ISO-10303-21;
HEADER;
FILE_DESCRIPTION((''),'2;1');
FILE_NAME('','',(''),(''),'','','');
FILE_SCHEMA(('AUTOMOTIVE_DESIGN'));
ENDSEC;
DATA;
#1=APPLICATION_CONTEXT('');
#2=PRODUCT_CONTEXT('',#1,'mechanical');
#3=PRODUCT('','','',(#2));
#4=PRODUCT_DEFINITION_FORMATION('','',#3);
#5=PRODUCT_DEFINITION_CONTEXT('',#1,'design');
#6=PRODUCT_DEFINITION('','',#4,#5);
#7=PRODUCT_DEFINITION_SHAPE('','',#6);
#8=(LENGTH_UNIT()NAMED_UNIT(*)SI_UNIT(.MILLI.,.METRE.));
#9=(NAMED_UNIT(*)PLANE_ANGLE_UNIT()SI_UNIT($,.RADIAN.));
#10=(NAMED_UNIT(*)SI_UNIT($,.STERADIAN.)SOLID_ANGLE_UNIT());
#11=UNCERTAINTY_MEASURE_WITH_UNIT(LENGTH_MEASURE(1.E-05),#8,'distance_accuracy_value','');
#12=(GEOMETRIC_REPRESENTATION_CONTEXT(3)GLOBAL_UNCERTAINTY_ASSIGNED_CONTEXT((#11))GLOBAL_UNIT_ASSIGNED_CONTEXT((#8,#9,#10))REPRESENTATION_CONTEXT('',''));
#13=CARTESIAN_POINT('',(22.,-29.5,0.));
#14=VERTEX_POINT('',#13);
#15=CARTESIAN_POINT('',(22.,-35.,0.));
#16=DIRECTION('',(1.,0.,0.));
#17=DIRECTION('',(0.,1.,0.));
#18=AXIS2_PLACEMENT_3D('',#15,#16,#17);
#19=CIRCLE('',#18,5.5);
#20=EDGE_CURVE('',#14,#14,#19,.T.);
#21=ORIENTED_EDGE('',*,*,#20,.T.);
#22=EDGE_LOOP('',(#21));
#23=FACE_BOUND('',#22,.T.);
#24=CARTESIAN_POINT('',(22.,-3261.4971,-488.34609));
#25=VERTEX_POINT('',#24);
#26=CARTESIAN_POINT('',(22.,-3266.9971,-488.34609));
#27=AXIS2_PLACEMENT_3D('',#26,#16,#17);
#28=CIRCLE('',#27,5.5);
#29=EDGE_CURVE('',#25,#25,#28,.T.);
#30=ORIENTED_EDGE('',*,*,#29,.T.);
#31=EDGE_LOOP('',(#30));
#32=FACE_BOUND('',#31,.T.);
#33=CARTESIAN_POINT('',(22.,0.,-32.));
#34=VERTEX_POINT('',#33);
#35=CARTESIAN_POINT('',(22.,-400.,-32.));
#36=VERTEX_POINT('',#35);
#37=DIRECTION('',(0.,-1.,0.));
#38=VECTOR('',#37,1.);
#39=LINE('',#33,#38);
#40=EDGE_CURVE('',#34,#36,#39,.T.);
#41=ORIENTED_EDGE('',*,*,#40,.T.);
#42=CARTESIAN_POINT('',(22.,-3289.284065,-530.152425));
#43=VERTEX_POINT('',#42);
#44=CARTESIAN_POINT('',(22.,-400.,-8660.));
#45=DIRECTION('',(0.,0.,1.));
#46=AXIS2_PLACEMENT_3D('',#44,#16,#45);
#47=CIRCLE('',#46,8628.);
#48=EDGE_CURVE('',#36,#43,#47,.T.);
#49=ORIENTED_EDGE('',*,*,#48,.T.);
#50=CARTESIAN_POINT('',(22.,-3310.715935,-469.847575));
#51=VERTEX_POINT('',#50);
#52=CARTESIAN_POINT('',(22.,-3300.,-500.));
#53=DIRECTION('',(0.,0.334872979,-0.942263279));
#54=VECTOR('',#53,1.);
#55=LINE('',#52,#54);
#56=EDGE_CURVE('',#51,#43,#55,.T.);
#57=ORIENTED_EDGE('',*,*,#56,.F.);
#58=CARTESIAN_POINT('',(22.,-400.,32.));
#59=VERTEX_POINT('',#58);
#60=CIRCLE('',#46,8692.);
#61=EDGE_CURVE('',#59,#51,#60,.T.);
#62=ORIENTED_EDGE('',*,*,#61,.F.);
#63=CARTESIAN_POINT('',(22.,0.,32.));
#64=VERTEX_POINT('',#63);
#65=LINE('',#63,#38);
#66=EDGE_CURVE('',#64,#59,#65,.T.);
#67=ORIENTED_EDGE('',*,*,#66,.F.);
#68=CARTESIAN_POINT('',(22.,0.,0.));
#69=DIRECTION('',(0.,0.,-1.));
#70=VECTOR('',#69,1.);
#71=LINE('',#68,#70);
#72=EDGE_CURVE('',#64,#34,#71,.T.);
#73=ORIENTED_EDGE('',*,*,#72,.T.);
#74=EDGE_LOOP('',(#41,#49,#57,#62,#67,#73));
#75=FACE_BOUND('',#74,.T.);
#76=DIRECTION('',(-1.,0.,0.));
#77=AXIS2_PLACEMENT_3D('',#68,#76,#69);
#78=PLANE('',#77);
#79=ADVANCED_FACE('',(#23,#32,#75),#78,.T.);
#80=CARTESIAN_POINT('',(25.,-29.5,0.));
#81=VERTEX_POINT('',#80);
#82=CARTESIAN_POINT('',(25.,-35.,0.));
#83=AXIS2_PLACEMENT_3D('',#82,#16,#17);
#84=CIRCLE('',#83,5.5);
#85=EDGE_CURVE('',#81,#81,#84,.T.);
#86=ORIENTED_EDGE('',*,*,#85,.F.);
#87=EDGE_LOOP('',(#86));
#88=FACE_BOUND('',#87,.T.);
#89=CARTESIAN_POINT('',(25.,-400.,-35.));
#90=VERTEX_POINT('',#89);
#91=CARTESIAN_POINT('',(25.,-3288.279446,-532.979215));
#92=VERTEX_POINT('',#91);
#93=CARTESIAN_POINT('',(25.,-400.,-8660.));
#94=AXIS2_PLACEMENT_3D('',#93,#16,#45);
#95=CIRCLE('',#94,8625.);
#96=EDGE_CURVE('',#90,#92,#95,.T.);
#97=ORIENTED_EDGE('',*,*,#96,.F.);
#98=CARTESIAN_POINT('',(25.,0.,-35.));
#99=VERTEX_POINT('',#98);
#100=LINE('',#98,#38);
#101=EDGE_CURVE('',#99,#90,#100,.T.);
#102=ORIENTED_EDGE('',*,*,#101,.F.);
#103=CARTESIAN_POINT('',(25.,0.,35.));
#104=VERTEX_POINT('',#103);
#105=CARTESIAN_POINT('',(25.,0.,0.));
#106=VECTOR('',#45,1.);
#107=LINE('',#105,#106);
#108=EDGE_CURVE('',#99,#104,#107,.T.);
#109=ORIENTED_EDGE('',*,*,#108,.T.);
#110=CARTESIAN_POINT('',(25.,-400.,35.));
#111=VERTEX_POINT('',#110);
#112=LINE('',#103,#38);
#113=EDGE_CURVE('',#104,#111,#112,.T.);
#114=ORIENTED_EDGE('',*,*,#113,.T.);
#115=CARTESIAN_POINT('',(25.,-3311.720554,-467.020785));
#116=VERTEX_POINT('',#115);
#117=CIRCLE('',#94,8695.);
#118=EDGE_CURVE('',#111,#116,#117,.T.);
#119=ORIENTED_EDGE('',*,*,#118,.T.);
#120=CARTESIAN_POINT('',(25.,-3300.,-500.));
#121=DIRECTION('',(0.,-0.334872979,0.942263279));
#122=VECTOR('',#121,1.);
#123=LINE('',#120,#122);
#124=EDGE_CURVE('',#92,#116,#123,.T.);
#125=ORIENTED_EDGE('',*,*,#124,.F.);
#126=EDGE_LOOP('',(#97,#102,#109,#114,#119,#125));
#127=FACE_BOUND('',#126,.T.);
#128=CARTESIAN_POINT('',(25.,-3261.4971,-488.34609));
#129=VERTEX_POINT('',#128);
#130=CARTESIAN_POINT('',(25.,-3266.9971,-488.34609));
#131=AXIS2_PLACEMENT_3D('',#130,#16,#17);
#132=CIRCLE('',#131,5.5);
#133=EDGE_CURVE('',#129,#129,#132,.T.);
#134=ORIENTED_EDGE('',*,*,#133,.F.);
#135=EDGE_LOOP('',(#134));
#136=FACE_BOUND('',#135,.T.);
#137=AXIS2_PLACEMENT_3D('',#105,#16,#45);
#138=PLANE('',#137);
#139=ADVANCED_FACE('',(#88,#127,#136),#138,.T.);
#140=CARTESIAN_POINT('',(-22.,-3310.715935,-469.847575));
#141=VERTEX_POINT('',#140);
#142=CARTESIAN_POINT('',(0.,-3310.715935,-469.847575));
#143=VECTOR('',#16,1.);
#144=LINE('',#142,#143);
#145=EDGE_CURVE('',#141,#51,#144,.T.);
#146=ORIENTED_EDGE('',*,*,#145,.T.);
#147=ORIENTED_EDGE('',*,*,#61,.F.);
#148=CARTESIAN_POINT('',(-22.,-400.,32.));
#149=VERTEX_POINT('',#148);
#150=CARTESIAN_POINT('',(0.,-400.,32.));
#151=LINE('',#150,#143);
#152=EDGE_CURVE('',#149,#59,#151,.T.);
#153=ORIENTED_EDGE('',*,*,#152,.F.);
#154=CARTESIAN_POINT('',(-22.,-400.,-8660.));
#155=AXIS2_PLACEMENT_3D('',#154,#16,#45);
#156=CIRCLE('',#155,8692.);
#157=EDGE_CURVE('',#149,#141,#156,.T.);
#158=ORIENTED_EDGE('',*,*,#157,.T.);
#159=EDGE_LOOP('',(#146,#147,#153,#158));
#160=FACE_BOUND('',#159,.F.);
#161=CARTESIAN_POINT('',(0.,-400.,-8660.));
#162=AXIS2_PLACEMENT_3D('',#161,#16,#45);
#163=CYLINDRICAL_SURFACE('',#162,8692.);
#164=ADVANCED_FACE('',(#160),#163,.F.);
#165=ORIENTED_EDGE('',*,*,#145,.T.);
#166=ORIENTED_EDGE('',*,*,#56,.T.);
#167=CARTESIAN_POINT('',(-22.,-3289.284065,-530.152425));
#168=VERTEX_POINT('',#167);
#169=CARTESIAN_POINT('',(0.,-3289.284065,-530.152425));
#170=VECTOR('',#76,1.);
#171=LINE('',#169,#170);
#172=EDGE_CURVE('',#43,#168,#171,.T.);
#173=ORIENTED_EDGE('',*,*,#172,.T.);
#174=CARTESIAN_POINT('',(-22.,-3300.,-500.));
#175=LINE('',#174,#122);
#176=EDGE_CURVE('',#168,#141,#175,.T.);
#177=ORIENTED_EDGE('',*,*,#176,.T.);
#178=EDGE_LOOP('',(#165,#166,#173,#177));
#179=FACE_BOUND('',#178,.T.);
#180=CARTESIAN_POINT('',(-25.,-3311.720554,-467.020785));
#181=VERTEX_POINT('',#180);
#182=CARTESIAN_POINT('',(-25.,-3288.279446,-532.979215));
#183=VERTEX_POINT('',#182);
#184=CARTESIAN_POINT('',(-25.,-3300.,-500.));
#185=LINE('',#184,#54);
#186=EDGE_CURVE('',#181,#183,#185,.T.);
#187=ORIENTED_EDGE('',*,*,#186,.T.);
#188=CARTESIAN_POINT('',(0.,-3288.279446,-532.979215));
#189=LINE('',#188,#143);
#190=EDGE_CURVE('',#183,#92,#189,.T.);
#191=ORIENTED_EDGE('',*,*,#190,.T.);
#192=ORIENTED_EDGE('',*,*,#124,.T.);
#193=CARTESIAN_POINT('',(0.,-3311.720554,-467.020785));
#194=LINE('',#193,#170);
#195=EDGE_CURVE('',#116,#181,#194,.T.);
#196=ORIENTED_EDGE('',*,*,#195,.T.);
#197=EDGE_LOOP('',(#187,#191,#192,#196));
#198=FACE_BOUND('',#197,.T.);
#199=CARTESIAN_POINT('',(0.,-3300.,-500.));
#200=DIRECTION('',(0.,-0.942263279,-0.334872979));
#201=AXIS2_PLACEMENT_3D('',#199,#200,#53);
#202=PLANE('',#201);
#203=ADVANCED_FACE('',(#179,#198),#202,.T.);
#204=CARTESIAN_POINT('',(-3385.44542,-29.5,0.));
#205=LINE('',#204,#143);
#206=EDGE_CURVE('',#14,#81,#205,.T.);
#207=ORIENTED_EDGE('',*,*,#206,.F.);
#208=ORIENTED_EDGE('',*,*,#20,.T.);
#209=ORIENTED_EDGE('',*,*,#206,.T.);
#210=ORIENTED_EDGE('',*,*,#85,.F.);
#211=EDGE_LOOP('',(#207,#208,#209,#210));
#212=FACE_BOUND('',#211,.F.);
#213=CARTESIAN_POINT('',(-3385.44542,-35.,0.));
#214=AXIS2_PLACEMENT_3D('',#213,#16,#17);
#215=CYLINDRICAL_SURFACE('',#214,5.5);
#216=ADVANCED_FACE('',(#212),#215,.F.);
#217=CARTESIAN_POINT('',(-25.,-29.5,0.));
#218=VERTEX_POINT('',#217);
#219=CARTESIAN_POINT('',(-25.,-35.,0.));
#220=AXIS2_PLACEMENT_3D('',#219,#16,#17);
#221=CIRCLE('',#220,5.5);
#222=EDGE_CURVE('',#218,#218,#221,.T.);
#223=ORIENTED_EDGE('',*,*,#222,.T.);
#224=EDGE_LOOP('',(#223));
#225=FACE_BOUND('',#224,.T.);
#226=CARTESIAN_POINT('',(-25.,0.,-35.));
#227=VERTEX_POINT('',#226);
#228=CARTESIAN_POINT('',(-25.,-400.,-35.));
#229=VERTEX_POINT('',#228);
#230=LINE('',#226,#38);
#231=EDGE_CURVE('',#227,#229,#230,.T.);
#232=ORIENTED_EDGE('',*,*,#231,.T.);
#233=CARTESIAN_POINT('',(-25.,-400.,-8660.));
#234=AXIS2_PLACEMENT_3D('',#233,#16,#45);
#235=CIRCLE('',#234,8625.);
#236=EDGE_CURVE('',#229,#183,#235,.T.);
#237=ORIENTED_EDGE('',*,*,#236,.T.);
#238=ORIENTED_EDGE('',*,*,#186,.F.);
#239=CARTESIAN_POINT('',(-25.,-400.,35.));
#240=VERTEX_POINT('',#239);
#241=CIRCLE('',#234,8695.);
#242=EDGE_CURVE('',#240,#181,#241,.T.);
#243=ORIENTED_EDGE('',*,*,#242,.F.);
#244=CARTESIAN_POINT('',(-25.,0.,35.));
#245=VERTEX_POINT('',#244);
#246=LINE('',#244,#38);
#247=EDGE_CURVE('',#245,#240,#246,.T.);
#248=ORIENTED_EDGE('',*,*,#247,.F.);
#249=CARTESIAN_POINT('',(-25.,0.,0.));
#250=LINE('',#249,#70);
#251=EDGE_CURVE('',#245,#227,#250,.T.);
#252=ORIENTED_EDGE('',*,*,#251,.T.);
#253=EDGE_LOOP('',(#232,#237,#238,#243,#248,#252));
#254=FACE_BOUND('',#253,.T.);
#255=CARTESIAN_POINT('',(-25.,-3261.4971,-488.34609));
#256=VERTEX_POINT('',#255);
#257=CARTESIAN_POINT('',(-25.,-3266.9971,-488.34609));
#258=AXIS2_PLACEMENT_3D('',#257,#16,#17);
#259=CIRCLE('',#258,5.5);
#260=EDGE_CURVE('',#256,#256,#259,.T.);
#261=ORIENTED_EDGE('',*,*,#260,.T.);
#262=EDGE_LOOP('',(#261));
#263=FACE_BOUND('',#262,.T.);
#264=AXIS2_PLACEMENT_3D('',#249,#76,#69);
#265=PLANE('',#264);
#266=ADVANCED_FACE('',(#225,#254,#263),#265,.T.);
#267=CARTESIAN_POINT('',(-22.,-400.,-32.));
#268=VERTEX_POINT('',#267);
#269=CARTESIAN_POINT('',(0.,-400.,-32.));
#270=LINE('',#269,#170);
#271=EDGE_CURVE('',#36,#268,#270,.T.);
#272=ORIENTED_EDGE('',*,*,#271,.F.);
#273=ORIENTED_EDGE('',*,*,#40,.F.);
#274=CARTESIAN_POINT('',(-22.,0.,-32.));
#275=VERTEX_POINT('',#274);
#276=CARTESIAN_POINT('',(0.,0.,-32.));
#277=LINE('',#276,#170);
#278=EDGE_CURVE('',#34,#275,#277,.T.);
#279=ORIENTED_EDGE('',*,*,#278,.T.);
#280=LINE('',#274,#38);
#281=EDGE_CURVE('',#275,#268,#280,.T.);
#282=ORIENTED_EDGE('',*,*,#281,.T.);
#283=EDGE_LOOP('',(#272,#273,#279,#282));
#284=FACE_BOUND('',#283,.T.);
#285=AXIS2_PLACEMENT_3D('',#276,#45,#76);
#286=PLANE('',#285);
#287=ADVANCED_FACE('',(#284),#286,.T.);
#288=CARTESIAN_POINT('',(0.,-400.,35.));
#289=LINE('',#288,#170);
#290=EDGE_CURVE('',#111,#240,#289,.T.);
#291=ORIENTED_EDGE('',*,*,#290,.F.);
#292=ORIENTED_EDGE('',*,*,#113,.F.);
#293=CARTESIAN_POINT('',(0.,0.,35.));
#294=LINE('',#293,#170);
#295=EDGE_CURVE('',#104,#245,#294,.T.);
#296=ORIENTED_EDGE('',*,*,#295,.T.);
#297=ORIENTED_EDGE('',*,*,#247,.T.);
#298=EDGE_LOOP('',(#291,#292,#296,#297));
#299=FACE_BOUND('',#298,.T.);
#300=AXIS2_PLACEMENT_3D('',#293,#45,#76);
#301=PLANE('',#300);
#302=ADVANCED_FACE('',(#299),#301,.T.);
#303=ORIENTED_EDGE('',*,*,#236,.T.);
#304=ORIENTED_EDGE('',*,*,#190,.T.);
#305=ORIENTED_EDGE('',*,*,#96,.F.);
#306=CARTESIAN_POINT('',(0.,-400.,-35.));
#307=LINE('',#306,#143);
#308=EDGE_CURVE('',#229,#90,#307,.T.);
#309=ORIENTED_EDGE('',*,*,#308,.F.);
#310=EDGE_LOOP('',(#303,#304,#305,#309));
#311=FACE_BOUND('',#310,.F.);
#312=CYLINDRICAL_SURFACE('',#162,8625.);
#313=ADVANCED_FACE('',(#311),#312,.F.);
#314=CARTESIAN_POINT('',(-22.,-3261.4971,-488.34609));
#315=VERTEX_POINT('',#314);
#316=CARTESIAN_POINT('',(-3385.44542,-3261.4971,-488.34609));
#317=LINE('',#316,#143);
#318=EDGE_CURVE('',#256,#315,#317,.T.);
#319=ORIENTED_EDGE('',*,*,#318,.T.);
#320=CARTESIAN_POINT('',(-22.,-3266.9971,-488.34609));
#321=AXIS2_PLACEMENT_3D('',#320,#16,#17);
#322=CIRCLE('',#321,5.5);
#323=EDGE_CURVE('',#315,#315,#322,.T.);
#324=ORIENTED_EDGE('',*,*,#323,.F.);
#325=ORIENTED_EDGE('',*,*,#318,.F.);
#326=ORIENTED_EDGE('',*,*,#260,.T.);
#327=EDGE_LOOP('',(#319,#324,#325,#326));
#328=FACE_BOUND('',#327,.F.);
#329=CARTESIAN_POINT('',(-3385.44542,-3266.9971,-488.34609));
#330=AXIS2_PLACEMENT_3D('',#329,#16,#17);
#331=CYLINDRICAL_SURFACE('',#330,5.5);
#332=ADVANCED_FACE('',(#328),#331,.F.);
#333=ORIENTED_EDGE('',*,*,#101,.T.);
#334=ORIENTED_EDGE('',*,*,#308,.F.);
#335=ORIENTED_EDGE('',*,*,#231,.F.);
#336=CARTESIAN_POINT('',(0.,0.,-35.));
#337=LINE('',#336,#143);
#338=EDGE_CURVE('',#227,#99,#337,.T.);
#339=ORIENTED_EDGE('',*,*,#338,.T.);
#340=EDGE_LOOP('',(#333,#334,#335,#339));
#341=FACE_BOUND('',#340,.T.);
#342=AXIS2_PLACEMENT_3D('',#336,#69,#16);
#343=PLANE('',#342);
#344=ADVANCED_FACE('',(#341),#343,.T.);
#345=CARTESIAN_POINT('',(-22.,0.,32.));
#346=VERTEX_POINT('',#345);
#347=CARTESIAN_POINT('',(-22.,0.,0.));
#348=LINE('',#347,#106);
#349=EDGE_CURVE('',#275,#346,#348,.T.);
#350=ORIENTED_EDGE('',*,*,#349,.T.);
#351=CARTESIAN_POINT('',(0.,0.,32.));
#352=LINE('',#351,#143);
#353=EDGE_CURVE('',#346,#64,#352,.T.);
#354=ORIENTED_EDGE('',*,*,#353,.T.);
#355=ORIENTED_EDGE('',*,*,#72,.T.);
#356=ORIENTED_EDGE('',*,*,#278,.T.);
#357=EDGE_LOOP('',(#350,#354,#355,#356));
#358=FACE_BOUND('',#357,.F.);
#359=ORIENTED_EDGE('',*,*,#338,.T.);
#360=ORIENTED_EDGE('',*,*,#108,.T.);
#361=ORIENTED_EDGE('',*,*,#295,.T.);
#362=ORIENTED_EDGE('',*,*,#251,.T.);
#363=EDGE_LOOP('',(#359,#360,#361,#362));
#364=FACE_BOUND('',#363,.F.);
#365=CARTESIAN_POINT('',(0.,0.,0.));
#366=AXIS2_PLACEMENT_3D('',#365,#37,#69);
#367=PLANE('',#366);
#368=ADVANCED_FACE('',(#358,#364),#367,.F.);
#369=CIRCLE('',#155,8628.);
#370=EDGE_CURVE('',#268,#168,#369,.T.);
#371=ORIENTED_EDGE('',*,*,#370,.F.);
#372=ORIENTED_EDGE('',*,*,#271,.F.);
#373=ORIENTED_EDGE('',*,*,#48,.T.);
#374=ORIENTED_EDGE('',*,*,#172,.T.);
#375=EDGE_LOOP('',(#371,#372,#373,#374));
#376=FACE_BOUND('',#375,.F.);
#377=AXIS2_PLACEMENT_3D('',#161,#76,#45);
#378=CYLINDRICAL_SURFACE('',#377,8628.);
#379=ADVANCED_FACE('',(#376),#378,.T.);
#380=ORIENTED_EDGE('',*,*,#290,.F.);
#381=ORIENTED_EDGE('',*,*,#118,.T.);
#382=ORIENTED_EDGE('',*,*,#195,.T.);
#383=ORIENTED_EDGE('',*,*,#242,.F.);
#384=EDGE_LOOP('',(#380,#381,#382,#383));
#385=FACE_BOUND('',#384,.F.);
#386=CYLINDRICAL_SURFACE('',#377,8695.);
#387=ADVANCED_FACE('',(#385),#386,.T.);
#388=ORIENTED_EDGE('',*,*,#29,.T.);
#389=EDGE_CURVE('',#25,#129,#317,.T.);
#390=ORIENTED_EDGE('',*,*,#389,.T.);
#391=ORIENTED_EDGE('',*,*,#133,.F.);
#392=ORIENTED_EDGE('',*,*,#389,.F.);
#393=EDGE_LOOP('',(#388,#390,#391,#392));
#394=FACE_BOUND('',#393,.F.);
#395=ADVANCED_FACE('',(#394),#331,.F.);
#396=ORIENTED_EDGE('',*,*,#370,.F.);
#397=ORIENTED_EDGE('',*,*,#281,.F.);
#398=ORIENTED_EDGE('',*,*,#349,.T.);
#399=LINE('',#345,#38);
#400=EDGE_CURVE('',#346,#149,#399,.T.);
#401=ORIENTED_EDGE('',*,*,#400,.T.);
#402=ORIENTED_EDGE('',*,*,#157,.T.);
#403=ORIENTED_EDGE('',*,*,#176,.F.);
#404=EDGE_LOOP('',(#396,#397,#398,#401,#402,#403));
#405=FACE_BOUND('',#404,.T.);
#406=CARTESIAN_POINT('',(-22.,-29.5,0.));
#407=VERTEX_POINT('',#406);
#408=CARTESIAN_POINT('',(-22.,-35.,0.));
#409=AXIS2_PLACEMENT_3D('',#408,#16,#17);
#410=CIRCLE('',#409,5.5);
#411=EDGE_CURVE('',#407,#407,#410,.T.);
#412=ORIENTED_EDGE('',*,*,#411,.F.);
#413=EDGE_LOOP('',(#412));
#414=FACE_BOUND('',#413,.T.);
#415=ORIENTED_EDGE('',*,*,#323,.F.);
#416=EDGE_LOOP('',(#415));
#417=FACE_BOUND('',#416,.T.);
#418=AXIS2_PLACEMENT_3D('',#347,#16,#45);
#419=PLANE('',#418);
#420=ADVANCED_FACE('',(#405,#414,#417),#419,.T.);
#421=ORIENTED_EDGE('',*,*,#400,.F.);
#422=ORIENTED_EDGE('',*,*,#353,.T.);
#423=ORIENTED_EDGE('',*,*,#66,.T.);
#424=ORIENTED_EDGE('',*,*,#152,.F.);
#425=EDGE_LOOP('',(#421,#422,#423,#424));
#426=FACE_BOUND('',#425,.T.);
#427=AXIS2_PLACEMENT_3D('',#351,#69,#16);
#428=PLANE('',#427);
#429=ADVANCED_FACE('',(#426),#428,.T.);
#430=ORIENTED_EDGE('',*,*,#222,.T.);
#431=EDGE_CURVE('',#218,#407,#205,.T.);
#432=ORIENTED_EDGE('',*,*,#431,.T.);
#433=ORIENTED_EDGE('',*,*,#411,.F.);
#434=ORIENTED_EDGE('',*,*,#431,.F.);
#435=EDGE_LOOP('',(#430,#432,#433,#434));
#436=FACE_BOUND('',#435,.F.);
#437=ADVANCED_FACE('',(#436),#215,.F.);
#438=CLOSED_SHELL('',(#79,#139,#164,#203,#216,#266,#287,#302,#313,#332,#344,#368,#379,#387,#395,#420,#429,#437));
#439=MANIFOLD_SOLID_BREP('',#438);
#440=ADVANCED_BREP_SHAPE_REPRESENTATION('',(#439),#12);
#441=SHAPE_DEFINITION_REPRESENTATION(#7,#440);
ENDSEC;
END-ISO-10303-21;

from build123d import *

# Parameters (mm, degrees)
F0_W   = 50
F0_H   = 70
F0_W_2 = 44
F0_H_2 = 64
F4_D   = 11
F5_D   = 11


with BuildPart() as f2:
    # F2: sweep along a path in F1
    with BuildLine(Plane.YZ) as f2_path:
        Line((0, 0), (-400, 0))
        ThreePointArc((-400, 0), (-1871.3938969562, -125.915397654), (-3300, -500))
    # F0 (on Front) → F2 (sweep)
    with BuildSketch(Plane.XZ):
        Rectangle(F0_W, F0_H)
        Rectangle(F0_W_2, F0_H_2, mode=Mode.SUBTRACT)
    sweep(path=f2_path.line)

    # F4 (through all)
    with Locations(Plane(origin=(-25, 0, 0), x_dir=(0, -1, 0), z_dir=(-1, 0, 0))):
        with Locations((3266.9971003998, -488.3460899095)):
            Hole(F4_D / 2)

    # F5 (through all)
    with Locations(Plane(origin=(-25, 0, 0), x_dir=(0, -1, 0), z_dir=(-1, 0, 0))):
        with Locations((35, 0)):
            Hole(F5_D / 2)


solid = f2.part
